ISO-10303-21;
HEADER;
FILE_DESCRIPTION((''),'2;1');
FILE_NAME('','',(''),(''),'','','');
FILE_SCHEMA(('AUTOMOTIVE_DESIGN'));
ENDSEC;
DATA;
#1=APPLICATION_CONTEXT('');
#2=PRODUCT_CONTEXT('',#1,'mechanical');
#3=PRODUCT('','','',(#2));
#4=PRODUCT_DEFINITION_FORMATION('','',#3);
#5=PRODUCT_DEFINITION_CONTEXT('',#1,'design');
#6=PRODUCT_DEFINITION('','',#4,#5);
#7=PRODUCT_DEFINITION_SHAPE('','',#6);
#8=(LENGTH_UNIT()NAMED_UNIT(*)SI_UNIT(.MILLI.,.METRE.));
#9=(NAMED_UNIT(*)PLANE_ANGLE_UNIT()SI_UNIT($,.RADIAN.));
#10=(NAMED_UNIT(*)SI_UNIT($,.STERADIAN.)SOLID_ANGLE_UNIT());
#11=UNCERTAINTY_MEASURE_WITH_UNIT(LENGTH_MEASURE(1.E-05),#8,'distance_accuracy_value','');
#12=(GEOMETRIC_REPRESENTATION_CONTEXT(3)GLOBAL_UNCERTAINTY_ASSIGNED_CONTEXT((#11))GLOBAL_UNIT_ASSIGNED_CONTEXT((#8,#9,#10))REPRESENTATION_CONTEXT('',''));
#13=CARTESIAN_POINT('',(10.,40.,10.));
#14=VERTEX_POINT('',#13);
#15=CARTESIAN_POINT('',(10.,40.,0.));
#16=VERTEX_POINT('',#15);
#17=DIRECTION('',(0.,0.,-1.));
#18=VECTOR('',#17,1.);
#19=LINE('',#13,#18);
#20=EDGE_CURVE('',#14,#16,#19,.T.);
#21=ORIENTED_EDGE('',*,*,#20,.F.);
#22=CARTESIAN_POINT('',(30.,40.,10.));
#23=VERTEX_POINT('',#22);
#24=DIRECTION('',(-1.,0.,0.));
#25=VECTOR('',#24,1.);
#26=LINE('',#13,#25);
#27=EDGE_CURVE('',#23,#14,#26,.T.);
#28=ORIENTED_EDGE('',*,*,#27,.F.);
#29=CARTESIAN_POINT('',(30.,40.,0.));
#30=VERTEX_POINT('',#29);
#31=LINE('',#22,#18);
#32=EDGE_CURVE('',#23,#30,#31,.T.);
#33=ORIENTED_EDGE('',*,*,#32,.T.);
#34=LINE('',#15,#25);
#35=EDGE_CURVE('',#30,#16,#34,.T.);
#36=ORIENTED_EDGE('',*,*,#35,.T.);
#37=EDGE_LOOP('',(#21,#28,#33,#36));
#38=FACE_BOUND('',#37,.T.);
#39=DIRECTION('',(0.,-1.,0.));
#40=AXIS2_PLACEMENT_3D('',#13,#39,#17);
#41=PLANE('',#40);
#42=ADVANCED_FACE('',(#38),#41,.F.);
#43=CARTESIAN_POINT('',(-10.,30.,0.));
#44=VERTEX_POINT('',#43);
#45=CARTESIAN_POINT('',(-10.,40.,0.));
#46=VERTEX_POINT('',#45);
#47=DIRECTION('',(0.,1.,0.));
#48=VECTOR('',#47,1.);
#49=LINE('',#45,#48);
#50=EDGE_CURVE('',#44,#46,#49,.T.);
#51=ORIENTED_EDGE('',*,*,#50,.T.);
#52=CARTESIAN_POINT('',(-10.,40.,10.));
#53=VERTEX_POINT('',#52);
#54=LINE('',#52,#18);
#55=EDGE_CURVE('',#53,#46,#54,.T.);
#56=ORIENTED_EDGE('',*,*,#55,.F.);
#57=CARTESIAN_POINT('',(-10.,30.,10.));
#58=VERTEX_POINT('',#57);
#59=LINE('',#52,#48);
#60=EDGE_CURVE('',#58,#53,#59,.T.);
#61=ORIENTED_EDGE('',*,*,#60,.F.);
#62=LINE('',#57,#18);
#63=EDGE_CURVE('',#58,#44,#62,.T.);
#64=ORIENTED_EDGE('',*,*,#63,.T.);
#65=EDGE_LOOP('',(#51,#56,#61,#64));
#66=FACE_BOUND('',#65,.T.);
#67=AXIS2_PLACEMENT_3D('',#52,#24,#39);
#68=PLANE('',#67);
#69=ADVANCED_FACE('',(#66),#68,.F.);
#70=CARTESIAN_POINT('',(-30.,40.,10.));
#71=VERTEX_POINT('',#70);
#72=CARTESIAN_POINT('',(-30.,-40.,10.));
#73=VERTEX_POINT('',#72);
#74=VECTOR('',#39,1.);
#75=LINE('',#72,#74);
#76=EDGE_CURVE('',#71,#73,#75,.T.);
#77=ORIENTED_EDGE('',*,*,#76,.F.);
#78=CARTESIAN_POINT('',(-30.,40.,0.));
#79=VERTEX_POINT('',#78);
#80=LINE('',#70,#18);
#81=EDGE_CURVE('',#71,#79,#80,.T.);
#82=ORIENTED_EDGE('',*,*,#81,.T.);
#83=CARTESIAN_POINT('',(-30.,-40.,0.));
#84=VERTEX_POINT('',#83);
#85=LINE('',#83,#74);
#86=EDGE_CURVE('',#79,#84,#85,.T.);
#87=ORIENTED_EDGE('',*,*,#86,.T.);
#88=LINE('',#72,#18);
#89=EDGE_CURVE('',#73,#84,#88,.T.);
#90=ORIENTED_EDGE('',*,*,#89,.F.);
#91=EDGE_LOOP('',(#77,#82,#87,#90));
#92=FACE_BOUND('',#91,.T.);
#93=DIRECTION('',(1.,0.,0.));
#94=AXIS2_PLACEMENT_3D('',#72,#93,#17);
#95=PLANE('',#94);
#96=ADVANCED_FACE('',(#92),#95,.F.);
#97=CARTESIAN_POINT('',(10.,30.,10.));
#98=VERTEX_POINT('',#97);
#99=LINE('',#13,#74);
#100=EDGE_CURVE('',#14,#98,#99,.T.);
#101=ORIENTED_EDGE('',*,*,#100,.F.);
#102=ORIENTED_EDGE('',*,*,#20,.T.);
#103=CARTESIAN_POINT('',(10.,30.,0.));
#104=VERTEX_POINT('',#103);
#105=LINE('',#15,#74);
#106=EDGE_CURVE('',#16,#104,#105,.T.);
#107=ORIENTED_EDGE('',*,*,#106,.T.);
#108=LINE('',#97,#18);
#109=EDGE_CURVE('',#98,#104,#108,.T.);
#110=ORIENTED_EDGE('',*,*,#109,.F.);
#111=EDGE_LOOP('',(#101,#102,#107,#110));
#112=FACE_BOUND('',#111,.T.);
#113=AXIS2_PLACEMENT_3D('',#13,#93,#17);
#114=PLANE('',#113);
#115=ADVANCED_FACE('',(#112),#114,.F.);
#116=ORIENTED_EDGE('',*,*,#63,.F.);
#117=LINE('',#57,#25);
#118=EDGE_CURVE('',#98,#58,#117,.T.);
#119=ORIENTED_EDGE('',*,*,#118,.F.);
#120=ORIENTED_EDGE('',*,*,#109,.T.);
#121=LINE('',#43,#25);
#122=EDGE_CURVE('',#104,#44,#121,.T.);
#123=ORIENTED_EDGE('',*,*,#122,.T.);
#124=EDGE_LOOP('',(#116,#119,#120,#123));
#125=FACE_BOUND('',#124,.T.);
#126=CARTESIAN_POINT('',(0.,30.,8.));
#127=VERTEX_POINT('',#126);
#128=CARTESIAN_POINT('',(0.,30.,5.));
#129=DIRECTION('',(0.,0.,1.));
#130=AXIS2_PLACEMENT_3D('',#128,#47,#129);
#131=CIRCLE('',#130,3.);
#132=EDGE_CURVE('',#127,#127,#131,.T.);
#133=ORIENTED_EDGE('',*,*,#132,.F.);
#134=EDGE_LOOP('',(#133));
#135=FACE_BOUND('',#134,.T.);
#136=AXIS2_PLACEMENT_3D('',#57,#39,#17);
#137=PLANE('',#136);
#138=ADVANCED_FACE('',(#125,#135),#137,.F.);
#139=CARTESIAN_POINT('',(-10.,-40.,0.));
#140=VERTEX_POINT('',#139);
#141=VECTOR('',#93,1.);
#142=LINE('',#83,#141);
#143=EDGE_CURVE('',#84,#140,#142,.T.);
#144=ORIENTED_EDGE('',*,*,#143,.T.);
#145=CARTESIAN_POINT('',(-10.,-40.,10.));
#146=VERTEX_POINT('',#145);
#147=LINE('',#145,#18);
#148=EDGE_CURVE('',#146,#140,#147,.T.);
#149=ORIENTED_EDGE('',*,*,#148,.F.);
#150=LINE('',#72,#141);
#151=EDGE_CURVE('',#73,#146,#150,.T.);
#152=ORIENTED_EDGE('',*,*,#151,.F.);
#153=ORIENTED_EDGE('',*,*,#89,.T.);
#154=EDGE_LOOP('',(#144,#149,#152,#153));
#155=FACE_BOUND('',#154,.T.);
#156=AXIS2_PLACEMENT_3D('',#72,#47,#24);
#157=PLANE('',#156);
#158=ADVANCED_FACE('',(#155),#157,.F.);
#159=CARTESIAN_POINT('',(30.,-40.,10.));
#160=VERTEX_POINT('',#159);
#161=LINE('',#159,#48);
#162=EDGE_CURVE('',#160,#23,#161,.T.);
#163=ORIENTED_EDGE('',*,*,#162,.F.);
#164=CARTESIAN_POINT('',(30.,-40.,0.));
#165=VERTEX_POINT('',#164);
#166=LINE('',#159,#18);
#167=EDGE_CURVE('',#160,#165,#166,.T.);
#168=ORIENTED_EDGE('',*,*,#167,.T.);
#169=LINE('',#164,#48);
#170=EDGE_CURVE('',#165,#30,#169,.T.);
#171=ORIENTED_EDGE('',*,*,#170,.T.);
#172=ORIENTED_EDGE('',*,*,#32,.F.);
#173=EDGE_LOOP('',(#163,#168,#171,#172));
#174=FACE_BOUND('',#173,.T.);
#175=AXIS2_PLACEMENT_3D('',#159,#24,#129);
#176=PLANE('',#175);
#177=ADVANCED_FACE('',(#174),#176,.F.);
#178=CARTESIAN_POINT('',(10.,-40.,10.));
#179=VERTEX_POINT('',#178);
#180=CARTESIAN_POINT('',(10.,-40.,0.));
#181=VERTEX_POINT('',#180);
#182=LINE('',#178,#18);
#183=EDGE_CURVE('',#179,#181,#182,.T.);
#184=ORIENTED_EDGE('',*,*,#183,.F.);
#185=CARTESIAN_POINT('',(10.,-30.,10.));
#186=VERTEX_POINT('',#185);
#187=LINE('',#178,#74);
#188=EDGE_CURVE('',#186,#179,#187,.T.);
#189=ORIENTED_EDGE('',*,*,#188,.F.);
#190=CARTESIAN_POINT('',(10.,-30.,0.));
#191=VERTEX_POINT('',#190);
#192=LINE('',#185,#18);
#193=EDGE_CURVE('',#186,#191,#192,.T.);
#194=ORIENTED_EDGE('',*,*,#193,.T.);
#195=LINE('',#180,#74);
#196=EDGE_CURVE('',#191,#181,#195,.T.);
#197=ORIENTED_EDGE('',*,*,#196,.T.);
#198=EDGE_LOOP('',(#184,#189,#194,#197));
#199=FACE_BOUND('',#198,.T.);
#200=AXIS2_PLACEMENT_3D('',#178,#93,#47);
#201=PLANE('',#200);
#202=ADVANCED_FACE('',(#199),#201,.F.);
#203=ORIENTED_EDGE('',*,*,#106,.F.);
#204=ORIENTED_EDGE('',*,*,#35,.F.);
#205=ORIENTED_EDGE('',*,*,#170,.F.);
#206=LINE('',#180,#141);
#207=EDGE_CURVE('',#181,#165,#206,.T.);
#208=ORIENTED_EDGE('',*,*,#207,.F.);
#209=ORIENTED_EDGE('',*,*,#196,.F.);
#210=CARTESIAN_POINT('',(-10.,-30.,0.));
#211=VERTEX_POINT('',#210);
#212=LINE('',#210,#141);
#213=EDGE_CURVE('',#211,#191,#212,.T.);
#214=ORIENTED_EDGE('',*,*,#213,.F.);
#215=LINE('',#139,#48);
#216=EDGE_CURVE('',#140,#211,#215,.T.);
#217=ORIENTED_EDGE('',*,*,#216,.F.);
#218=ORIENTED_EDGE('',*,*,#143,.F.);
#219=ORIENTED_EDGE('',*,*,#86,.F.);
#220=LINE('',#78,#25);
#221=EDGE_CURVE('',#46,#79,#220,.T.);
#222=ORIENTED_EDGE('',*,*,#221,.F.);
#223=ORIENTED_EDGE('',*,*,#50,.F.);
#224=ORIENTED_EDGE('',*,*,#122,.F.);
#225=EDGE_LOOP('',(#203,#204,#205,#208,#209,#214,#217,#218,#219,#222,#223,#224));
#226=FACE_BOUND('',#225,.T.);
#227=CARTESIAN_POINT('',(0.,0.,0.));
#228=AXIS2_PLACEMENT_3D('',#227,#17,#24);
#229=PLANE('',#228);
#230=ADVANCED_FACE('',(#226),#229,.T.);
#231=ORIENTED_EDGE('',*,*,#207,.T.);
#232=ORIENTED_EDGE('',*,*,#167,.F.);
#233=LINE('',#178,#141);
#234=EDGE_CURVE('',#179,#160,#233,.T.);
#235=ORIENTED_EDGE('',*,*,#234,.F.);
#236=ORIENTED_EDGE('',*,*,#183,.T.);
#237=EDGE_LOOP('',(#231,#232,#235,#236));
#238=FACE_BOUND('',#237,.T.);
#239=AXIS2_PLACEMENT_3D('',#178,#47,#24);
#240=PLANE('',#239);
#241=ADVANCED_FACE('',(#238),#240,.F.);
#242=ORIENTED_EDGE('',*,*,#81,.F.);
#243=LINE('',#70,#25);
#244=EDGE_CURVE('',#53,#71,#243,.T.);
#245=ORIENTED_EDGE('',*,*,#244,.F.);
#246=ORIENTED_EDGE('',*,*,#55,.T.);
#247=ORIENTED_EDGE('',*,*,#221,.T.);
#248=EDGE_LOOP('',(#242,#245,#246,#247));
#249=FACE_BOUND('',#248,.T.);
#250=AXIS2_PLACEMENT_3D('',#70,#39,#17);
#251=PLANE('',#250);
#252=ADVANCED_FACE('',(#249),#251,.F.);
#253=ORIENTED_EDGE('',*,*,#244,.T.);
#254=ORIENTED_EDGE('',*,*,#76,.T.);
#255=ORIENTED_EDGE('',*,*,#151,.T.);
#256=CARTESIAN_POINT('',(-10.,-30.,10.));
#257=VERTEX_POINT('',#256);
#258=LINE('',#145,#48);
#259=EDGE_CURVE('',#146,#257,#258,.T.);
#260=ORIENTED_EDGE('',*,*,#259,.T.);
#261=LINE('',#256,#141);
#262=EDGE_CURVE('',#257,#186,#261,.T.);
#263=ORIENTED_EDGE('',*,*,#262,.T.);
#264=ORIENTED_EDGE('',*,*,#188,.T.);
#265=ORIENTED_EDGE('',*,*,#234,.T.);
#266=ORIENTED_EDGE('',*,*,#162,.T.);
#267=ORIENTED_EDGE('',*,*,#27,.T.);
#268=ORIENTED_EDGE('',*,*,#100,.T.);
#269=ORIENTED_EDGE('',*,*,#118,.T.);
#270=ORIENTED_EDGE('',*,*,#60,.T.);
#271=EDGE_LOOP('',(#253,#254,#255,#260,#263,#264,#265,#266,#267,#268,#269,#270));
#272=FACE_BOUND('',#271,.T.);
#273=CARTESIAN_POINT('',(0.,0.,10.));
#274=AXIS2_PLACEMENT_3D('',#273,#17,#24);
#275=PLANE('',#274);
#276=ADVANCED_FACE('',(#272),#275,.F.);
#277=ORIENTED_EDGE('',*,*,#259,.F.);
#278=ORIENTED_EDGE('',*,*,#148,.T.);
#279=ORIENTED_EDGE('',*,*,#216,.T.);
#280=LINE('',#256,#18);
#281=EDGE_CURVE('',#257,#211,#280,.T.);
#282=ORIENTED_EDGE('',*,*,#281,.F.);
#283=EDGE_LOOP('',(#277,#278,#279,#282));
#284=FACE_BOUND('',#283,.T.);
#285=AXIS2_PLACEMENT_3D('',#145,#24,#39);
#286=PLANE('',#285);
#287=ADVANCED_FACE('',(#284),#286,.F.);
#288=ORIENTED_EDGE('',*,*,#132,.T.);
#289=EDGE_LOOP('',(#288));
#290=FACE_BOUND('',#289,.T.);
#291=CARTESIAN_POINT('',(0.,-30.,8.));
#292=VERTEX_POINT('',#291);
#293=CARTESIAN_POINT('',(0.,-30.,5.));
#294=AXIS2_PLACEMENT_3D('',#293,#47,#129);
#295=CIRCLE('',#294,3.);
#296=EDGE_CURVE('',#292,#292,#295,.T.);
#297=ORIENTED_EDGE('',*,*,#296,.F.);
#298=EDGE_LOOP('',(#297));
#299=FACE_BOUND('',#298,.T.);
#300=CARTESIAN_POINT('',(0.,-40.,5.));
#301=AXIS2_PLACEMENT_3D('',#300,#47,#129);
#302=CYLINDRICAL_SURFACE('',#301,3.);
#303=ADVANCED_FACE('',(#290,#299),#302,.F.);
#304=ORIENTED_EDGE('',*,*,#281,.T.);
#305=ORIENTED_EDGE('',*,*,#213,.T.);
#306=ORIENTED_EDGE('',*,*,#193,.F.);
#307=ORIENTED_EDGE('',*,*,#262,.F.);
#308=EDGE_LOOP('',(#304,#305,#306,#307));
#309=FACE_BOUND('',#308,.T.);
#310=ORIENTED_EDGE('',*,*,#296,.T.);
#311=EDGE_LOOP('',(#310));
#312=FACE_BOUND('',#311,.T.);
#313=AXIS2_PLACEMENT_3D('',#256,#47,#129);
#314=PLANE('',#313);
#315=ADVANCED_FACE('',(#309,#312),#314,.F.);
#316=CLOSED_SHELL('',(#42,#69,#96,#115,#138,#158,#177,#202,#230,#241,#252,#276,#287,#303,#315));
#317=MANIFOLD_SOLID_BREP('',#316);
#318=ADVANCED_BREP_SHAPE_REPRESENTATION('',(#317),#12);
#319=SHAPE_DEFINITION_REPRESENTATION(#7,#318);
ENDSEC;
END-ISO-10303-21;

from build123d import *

# Parameters (mm, degrees)
BOSS_EXTRUDE1_DEPTH = 10
SKETCH2_R           = 3
CUT_EXTRUDE2_DEPTH  = 77.811457479


with BuildPart() as part:
    # Sketch1 → Boss-Extrude1 (new body)
    with BuildSketch(Plane.XY):
        Polygon((10, 40), (30, 40), (30, -40), (10, -40), (10, -30), (-10, -30), (-10, -40), (-30, -40), (-30, 40), (-10, 40), (-10, 30), (10, 30), align=None)
    extrude(amount=BOSS_EXTRUDE1_DEPTH)

    # Sketch2 → Cut-Extrude2 (cut, through all)
    with BuildSketch(Plane(origin=(0, 30, 0), x_dir=(1, 0, 0), z_dir=(0, 1, 0))):
        with Locations(Location((0, -5, 0), (0, 0, 270))):
            Circle(SKETCH2_R)
    extrude(amount=-CUT_EXTRUDE2_DEPTH, mode=Mode.SUBTRACT)


solid = part.part
